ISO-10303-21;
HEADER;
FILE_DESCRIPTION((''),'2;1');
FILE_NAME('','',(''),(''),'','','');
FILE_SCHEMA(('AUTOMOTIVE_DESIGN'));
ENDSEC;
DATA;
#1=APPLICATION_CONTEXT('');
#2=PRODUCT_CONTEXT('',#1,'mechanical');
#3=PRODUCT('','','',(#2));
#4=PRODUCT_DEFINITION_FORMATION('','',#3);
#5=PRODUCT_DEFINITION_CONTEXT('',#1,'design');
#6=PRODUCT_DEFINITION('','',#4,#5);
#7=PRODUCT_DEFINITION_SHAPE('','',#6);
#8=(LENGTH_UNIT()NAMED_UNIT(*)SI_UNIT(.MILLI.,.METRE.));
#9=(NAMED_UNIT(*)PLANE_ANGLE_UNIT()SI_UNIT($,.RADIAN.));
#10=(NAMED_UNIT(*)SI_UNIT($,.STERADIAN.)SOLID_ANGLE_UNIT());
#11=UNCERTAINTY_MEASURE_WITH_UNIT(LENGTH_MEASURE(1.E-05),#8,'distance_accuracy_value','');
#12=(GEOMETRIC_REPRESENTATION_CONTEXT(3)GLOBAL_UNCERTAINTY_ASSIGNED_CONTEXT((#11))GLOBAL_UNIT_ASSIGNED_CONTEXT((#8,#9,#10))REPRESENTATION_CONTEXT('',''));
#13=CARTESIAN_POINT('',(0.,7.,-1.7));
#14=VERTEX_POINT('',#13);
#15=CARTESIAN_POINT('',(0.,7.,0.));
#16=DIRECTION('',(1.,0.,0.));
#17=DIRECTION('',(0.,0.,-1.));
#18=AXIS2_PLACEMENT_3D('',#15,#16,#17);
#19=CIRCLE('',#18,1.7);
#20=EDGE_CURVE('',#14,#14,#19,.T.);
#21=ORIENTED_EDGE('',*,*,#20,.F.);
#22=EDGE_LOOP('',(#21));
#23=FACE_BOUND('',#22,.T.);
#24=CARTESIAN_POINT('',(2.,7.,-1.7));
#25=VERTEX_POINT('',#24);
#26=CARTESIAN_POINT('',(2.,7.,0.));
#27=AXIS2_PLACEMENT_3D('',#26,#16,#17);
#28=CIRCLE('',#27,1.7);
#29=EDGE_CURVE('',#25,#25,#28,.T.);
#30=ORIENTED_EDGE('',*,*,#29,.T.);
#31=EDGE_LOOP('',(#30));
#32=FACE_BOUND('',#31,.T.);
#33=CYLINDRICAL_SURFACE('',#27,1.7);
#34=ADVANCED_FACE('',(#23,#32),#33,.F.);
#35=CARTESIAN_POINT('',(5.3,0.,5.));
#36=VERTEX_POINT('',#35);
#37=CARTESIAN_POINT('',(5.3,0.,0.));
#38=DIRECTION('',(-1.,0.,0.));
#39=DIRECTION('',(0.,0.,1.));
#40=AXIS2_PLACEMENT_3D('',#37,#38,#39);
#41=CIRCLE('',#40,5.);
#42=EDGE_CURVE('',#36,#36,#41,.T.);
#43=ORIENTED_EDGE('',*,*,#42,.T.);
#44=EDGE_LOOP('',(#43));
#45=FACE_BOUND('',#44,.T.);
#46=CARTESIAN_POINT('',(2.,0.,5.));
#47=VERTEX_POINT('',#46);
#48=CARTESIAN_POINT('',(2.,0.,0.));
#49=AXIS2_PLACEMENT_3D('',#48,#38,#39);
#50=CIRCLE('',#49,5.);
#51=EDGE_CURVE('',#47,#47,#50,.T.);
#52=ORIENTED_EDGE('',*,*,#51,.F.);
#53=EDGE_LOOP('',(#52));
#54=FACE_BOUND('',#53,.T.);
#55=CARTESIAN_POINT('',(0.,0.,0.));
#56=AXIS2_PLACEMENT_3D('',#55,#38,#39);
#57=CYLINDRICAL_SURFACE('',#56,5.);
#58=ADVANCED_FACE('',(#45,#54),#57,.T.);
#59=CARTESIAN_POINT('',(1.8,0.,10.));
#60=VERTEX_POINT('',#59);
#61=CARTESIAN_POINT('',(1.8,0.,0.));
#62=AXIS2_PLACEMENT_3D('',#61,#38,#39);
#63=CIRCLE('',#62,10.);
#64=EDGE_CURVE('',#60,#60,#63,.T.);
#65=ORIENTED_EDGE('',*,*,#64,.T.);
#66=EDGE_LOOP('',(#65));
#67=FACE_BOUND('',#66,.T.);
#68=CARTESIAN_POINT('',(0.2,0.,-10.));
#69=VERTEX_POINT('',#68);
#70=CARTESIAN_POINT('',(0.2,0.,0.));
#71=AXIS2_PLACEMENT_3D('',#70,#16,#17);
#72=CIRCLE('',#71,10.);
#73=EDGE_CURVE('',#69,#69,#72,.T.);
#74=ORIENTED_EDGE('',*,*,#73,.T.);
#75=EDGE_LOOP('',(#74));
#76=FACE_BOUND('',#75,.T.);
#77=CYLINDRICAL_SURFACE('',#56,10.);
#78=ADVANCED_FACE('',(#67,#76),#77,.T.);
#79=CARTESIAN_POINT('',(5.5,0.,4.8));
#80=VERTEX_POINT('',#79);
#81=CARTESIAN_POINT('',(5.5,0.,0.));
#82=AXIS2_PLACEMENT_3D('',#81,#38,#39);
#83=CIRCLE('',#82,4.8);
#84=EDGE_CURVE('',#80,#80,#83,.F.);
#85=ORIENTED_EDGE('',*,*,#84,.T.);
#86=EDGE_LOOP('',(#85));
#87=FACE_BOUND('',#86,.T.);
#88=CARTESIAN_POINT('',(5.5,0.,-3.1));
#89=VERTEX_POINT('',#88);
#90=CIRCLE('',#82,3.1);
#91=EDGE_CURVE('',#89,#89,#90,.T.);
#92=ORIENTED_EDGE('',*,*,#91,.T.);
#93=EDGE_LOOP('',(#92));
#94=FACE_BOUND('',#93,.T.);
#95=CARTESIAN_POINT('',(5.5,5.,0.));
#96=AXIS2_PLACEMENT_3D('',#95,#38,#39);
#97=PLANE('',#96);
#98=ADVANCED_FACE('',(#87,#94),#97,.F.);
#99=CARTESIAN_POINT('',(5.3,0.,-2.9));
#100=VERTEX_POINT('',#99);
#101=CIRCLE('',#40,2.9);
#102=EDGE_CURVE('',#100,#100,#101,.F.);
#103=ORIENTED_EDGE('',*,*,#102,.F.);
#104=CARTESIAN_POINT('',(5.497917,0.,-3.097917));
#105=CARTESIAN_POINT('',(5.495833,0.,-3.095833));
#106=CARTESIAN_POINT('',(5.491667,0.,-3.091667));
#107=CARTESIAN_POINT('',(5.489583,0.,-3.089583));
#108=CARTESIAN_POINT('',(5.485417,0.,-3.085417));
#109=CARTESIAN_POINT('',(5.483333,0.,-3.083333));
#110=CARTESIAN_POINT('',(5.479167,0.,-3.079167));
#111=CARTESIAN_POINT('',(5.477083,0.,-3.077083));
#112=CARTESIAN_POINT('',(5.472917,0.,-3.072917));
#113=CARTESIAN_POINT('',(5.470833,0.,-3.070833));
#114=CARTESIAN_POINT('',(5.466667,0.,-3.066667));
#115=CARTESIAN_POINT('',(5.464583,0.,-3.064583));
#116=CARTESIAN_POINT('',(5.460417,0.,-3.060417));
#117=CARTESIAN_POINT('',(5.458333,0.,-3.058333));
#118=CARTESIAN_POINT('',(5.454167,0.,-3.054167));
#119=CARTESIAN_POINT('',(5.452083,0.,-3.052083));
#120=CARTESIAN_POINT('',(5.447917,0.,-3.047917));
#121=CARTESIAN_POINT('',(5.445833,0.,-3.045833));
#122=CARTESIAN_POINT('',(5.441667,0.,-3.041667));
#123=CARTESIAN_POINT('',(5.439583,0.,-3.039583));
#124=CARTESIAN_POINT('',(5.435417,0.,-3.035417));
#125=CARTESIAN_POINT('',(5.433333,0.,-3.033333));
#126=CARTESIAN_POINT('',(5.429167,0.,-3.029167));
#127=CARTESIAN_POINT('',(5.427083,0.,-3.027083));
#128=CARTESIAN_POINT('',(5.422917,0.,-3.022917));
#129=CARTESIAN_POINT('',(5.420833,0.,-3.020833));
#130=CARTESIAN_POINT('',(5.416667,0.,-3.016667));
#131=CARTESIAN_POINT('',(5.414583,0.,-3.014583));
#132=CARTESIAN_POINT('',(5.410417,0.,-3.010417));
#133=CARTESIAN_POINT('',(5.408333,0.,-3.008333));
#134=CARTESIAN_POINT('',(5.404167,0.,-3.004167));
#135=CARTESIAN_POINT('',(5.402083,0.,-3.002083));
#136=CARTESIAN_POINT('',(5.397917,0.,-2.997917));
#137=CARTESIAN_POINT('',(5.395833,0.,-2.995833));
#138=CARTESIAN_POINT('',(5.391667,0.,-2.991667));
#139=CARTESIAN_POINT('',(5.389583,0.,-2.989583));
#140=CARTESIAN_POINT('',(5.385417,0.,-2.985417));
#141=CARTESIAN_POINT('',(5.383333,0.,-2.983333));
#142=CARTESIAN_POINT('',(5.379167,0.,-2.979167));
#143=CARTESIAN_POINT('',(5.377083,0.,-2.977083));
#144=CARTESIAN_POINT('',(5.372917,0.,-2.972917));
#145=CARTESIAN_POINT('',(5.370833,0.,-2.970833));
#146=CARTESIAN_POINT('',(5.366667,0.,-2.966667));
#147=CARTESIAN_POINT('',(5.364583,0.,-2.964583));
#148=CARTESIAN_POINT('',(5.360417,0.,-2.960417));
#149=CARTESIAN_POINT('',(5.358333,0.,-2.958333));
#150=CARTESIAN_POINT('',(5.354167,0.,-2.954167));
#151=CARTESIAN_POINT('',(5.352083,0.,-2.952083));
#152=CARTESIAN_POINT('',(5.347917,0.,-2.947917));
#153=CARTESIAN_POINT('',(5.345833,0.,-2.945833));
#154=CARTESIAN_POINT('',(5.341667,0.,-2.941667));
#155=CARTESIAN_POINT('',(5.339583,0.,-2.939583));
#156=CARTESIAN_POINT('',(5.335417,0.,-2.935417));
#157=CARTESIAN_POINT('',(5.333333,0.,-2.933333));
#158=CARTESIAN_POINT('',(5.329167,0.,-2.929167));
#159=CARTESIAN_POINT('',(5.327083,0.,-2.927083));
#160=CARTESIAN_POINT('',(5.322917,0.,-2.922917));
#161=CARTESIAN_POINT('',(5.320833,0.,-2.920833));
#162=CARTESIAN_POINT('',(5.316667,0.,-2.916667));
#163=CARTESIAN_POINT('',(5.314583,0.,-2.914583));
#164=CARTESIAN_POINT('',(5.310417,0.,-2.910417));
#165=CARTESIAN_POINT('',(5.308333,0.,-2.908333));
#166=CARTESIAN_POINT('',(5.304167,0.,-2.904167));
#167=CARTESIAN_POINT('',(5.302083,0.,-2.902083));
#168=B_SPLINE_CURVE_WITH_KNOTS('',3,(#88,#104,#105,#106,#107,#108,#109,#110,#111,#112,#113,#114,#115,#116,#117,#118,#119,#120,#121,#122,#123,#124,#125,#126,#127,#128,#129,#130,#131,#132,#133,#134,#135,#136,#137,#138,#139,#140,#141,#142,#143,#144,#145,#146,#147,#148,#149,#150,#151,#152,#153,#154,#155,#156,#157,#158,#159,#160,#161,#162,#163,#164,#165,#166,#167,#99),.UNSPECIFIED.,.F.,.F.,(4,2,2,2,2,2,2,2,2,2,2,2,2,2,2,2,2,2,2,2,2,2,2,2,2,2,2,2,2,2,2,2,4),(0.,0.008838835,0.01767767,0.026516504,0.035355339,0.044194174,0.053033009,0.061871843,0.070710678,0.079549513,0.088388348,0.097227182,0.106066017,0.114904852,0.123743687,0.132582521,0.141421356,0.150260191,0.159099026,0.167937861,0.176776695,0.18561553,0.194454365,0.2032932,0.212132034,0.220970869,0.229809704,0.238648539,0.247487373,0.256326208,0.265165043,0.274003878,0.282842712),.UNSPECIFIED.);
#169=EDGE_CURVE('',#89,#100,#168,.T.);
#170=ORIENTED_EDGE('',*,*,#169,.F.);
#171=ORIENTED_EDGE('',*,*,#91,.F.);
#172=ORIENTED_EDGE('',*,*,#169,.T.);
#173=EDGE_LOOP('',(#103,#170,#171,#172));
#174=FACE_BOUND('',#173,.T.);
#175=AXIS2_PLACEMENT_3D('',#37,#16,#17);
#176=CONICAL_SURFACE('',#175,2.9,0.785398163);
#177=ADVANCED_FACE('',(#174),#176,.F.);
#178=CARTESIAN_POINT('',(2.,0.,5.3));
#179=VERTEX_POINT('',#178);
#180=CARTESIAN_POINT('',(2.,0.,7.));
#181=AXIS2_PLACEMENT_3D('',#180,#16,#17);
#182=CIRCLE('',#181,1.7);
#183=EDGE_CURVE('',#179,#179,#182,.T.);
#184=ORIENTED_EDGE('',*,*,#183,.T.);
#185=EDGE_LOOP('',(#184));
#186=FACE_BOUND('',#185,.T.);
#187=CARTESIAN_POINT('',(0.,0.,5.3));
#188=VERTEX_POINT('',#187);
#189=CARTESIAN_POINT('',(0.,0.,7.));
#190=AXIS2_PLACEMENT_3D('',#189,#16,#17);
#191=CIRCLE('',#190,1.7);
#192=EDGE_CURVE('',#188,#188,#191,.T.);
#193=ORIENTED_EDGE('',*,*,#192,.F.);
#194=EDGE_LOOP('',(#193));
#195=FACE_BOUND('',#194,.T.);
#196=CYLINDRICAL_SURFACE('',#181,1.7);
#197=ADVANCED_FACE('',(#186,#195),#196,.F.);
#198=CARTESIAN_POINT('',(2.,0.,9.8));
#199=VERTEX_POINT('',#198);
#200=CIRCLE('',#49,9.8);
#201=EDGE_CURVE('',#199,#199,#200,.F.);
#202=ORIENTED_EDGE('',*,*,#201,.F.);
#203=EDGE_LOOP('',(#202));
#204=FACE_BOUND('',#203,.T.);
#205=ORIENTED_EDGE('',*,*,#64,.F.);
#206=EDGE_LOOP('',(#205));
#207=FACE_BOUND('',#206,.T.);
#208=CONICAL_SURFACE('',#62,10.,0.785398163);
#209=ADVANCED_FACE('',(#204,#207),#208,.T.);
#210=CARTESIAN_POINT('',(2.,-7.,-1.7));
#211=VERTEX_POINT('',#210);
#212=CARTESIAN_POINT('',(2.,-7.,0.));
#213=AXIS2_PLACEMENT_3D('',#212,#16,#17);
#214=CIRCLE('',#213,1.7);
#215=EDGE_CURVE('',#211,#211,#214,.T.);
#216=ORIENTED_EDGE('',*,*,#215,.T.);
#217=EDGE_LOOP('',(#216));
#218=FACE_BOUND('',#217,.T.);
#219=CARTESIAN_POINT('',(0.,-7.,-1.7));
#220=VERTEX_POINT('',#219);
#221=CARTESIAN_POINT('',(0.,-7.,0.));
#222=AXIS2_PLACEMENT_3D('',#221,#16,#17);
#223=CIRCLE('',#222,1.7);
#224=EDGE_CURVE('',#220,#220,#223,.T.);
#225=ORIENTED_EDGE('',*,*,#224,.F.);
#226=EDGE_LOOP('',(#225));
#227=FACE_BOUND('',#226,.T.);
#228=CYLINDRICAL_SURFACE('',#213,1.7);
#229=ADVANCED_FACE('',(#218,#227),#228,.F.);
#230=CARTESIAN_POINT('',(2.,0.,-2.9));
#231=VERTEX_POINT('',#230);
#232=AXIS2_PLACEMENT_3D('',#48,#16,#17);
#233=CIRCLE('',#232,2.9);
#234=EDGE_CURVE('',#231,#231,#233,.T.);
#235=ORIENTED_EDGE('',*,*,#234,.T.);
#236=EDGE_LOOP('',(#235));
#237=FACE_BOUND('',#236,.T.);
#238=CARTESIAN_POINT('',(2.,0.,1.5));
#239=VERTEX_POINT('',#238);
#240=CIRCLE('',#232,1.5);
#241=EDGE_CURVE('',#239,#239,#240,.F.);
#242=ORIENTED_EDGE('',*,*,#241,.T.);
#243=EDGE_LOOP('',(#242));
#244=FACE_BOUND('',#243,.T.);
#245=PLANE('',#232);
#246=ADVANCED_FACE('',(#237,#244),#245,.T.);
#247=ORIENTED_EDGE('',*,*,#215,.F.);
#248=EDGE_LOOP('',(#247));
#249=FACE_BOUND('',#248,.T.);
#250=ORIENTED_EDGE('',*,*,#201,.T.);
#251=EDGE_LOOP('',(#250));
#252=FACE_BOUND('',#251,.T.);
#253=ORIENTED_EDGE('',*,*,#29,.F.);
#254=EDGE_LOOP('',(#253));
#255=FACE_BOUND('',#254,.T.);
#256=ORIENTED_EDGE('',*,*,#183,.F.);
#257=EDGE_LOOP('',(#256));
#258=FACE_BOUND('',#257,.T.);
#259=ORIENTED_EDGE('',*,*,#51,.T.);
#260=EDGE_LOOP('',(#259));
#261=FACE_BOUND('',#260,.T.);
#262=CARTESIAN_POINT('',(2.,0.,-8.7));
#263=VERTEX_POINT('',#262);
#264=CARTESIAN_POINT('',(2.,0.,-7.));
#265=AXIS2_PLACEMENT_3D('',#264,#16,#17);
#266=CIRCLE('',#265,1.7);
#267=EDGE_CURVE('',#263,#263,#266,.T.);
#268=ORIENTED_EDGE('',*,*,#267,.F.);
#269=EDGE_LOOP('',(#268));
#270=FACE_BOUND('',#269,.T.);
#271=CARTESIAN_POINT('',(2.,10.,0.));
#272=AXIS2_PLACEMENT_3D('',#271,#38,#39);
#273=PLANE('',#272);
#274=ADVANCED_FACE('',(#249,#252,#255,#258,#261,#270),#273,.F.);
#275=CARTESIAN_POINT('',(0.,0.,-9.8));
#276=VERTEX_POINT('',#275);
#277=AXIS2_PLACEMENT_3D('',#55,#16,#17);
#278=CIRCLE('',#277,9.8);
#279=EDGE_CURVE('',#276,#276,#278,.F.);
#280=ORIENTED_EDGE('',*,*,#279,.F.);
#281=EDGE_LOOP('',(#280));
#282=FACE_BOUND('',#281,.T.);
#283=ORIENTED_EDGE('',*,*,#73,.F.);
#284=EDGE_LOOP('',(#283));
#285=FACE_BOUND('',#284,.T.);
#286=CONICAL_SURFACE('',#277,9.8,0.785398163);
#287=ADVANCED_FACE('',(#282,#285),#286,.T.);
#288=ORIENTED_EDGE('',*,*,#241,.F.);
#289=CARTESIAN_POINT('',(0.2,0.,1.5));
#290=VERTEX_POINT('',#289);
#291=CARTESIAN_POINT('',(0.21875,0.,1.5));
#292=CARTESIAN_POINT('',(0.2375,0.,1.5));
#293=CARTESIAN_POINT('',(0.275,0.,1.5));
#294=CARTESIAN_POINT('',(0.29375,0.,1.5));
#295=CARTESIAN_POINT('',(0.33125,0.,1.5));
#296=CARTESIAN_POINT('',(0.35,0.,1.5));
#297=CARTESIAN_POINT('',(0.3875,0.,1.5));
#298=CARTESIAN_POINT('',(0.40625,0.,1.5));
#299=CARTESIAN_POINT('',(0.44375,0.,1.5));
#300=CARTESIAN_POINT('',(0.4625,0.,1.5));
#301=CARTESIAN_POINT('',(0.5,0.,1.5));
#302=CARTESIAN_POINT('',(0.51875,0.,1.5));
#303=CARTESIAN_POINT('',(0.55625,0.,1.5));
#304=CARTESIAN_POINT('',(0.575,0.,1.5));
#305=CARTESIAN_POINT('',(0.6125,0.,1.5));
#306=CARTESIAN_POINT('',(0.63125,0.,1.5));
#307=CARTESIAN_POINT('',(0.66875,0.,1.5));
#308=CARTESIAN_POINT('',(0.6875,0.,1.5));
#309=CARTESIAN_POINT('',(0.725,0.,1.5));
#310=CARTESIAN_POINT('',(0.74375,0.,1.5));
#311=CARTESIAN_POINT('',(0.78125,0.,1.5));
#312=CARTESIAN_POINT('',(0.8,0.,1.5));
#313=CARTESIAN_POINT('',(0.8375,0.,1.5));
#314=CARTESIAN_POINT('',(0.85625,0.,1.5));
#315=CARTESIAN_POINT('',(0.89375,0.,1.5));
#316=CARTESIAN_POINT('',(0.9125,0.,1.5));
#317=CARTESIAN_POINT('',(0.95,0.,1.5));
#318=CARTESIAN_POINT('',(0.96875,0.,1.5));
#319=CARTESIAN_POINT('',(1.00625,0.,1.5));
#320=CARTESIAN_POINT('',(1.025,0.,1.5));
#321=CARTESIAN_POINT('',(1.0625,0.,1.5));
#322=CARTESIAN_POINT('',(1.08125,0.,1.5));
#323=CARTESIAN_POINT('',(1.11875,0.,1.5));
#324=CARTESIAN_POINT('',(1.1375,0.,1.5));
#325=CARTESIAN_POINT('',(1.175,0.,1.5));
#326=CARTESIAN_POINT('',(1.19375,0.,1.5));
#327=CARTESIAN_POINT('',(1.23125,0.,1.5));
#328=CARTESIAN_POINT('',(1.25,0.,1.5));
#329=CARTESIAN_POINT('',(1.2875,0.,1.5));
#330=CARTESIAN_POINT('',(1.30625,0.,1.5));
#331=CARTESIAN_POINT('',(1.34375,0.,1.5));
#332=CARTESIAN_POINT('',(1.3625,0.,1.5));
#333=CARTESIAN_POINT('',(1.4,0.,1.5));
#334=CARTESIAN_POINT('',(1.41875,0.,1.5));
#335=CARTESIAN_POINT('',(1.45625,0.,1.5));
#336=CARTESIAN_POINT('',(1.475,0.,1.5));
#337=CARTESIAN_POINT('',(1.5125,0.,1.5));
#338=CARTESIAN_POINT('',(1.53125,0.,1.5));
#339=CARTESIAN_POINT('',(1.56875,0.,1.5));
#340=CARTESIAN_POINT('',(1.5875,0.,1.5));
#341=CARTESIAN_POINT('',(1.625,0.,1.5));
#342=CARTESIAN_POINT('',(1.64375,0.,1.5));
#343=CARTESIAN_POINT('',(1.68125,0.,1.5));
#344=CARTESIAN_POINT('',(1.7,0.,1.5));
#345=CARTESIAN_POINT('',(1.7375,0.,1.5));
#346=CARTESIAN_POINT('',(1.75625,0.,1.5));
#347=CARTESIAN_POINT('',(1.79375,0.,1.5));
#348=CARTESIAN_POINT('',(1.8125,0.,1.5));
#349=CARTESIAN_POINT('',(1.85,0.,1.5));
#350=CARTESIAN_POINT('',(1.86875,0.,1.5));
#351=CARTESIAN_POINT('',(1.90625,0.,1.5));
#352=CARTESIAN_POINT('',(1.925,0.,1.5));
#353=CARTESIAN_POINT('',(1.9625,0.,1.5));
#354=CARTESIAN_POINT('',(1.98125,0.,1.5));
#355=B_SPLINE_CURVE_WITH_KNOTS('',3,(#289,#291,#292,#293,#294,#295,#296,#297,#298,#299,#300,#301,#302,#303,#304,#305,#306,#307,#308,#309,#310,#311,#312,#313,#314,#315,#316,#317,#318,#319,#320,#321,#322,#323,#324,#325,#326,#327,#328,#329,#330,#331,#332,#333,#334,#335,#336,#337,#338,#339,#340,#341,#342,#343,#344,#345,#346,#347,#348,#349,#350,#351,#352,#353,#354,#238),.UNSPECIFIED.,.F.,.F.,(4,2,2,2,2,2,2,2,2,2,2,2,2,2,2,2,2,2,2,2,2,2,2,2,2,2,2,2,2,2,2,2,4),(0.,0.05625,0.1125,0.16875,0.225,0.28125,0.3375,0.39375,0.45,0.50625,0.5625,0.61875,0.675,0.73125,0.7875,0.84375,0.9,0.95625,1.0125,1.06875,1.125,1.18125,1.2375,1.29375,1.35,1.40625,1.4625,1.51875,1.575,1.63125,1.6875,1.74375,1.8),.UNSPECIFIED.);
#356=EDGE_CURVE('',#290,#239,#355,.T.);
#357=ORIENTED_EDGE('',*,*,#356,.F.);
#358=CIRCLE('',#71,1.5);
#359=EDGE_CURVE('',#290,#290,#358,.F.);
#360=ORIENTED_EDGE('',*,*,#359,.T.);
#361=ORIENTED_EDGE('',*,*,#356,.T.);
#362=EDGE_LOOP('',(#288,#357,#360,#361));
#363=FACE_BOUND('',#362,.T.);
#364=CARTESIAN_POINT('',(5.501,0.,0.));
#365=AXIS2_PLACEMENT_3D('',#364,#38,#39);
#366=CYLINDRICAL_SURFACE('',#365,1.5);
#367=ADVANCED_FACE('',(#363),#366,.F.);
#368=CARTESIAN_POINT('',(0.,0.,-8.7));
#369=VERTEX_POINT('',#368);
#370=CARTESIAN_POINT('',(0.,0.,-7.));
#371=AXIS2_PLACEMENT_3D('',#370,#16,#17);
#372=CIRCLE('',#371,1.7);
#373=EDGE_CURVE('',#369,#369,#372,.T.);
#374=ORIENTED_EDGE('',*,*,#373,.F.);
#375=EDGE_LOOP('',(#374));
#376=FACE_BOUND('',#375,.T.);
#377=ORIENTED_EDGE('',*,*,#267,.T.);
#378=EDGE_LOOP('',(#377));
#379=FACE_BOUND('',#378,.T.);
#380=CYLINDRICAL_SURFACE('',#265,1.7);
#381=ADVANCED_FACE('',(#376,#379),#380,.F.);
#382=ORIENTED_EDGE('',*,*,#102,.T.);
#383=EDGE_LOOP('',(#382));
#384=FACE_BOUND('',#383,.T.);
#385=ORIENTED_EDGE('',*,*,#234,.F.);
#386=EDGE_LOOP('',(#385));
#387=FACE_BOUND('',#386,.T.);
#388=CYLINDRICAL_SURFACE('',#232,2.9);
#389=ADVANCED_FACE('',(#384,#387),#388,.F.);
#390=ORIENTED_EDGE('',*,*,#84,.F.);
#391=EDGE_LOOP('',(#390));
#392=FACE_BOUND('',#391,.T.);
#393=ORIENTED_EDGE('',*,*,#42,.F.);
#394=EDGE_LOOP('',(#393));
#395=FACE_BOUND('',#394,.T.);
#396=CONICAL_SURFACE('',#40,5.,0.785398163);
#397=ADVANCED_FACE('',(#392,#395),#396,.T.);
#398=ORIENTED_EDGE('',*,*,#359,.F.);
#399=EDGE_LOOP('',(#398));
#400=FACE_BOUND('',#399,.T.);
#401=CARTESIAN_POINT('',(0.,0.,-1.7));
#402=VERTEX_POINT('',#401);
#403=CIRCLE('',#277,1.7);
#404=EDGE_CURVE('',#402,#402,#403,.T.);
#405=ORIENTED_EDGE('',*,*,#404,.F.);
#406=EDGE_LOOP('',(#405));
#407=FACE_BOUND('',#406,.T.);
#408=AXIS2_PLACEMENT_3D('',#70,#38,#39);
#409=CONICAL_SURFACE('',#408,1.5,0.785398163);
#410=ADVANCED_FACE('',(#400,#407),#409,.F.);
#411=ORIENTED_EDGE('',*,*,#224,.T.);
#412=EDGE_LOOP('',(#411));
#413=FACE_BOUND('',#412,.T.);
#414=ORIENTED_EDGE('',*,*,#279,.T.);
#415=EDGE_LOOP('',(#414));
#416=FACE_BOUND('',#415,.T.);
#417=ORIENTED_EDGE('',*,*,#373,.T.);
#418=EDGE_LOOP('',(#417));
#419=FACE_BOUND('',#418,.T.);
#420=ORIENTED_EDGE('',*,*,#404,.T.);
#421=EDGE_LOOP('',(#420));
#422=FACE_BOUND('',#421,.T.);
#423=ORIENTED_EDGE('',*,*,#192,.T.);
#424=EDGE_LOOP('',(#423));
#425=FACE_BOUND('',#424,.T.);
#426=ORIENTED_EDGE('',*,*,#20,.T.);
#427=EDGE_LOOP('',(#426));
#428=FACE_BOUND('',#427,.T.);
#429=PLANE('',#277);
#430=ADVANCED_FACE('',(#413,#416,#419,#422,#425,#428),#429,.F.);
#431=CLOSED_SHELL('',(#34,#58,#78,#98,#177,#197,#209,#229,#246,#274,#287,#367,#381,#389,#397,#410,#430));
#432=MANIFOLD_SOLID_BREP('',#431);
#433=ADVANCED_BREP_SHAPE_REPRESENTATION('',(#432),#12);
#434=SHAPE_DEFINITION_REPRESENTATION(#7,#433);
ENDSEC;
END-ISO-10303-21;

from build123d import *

# Parameters (mm, degrees)
SKETCH_2_R                  = 2.9
CUT_EXTRUDE_1_DEPTH         = 3.5
CUT_EXTRUDE_2_REACH         = 17.174
SKETCH_3_R                  = 1.5
HOLE_WIZARD_3_4_3_4_1_D     = 3.4
HOLE_WIZARD_3_4_3_4_1_DEPTH = 10
HOLE_WIZARD_3_4_3_4_1_TIP   = 1.021463052
CHAMFER_1_SIZE              = 0.2


with BuildPart() as part:
    # 草图1 → 旋转1 (revolve)
    with BuildSketch(Plane.XY, mode=Mode.PRIVATE) as revolve_1_sk:
        Polygon((0, 0), (0, 10), (2, 10), (2, 5), (5.5, 5), (5.5, 0), align=None)
    revolve(revolve_1_sk.sketch.rotate(Axis((0, 0, 0), (1, 0, 0)), 90), axis=Axis((0, 0, 0), (1, 0, 0)))

    # 草图2 → 切除-拉伸1 (cut)
    with BuildSketch(Plane(origin=(5.5, 0, 0), x_dir=(0, 0, -1), z_dir=(1, 0, 0))):
        Circle(SKETCH_2_R)
    extrude(amount=-CUT_EXTRUDE_1_DEPTH, mode=Mode.SUBTRACT)

    # 草图3 → 切除-拉伸2 (cut, up to next)
    with BuildSketch(Plane.ZY, mode=Mode.PRIVATE) as cut_extrude_2_sk1:
        Circle(SKETCH_3_R)
    cut_extrude_2_tool1 = extrude(cut_extrude_2_sk1.sketch, amount=-CUT_EXTRUDE_2_REACH, mode=Mode.PRIVATE) & part.part
    add(cut_extrude_2_tool1.solids().sort_by_distance((0, 0, 0))[0], mode=Mode.SUBTRACT)

    # Ø3.4 (3.4) 直径孔1
    with Locations(Plane(origin=(2, 0, 0), x_dir=(0, 0, -1), z_dir=(1, 0, 0))):
        with Locations((0, 7), (0, -7), (-7, 0), (7, 0)):
            Hole(HOLE_WIZARD_3_4_3_4_1_D / 2, depth=HOLE_WIZARD_3_4_3_4_1_DEPTH)
            with Locations((0, 0, -(HOLE_WIZARD_3_4_3_4_1_DEPTH + HOLE_WIZARD_3_4_3_4_1_TIP / 2))):  # 118° drill point
                Cone(0, HOLE_WIZARD_3_4_3_4_1_D / 2, HOLE_WIZARD_3_4_3_4_1_TIP, mode=Mode.SUBTRACT)

    # 倒角1
    chamfer_1_edges = [part.edges().sort_by_distance(p)[0] for p in [
        (5.5, 0, 2.9),
        (0, 0, -1.5),
        (5.5, 0, -5),
        (2, 0, -10),
        (0, 0, -10),
    ]]
    chamfer(chamfer_1_edges, length=CHAMFER_1_SIZE)


solid = part.part
